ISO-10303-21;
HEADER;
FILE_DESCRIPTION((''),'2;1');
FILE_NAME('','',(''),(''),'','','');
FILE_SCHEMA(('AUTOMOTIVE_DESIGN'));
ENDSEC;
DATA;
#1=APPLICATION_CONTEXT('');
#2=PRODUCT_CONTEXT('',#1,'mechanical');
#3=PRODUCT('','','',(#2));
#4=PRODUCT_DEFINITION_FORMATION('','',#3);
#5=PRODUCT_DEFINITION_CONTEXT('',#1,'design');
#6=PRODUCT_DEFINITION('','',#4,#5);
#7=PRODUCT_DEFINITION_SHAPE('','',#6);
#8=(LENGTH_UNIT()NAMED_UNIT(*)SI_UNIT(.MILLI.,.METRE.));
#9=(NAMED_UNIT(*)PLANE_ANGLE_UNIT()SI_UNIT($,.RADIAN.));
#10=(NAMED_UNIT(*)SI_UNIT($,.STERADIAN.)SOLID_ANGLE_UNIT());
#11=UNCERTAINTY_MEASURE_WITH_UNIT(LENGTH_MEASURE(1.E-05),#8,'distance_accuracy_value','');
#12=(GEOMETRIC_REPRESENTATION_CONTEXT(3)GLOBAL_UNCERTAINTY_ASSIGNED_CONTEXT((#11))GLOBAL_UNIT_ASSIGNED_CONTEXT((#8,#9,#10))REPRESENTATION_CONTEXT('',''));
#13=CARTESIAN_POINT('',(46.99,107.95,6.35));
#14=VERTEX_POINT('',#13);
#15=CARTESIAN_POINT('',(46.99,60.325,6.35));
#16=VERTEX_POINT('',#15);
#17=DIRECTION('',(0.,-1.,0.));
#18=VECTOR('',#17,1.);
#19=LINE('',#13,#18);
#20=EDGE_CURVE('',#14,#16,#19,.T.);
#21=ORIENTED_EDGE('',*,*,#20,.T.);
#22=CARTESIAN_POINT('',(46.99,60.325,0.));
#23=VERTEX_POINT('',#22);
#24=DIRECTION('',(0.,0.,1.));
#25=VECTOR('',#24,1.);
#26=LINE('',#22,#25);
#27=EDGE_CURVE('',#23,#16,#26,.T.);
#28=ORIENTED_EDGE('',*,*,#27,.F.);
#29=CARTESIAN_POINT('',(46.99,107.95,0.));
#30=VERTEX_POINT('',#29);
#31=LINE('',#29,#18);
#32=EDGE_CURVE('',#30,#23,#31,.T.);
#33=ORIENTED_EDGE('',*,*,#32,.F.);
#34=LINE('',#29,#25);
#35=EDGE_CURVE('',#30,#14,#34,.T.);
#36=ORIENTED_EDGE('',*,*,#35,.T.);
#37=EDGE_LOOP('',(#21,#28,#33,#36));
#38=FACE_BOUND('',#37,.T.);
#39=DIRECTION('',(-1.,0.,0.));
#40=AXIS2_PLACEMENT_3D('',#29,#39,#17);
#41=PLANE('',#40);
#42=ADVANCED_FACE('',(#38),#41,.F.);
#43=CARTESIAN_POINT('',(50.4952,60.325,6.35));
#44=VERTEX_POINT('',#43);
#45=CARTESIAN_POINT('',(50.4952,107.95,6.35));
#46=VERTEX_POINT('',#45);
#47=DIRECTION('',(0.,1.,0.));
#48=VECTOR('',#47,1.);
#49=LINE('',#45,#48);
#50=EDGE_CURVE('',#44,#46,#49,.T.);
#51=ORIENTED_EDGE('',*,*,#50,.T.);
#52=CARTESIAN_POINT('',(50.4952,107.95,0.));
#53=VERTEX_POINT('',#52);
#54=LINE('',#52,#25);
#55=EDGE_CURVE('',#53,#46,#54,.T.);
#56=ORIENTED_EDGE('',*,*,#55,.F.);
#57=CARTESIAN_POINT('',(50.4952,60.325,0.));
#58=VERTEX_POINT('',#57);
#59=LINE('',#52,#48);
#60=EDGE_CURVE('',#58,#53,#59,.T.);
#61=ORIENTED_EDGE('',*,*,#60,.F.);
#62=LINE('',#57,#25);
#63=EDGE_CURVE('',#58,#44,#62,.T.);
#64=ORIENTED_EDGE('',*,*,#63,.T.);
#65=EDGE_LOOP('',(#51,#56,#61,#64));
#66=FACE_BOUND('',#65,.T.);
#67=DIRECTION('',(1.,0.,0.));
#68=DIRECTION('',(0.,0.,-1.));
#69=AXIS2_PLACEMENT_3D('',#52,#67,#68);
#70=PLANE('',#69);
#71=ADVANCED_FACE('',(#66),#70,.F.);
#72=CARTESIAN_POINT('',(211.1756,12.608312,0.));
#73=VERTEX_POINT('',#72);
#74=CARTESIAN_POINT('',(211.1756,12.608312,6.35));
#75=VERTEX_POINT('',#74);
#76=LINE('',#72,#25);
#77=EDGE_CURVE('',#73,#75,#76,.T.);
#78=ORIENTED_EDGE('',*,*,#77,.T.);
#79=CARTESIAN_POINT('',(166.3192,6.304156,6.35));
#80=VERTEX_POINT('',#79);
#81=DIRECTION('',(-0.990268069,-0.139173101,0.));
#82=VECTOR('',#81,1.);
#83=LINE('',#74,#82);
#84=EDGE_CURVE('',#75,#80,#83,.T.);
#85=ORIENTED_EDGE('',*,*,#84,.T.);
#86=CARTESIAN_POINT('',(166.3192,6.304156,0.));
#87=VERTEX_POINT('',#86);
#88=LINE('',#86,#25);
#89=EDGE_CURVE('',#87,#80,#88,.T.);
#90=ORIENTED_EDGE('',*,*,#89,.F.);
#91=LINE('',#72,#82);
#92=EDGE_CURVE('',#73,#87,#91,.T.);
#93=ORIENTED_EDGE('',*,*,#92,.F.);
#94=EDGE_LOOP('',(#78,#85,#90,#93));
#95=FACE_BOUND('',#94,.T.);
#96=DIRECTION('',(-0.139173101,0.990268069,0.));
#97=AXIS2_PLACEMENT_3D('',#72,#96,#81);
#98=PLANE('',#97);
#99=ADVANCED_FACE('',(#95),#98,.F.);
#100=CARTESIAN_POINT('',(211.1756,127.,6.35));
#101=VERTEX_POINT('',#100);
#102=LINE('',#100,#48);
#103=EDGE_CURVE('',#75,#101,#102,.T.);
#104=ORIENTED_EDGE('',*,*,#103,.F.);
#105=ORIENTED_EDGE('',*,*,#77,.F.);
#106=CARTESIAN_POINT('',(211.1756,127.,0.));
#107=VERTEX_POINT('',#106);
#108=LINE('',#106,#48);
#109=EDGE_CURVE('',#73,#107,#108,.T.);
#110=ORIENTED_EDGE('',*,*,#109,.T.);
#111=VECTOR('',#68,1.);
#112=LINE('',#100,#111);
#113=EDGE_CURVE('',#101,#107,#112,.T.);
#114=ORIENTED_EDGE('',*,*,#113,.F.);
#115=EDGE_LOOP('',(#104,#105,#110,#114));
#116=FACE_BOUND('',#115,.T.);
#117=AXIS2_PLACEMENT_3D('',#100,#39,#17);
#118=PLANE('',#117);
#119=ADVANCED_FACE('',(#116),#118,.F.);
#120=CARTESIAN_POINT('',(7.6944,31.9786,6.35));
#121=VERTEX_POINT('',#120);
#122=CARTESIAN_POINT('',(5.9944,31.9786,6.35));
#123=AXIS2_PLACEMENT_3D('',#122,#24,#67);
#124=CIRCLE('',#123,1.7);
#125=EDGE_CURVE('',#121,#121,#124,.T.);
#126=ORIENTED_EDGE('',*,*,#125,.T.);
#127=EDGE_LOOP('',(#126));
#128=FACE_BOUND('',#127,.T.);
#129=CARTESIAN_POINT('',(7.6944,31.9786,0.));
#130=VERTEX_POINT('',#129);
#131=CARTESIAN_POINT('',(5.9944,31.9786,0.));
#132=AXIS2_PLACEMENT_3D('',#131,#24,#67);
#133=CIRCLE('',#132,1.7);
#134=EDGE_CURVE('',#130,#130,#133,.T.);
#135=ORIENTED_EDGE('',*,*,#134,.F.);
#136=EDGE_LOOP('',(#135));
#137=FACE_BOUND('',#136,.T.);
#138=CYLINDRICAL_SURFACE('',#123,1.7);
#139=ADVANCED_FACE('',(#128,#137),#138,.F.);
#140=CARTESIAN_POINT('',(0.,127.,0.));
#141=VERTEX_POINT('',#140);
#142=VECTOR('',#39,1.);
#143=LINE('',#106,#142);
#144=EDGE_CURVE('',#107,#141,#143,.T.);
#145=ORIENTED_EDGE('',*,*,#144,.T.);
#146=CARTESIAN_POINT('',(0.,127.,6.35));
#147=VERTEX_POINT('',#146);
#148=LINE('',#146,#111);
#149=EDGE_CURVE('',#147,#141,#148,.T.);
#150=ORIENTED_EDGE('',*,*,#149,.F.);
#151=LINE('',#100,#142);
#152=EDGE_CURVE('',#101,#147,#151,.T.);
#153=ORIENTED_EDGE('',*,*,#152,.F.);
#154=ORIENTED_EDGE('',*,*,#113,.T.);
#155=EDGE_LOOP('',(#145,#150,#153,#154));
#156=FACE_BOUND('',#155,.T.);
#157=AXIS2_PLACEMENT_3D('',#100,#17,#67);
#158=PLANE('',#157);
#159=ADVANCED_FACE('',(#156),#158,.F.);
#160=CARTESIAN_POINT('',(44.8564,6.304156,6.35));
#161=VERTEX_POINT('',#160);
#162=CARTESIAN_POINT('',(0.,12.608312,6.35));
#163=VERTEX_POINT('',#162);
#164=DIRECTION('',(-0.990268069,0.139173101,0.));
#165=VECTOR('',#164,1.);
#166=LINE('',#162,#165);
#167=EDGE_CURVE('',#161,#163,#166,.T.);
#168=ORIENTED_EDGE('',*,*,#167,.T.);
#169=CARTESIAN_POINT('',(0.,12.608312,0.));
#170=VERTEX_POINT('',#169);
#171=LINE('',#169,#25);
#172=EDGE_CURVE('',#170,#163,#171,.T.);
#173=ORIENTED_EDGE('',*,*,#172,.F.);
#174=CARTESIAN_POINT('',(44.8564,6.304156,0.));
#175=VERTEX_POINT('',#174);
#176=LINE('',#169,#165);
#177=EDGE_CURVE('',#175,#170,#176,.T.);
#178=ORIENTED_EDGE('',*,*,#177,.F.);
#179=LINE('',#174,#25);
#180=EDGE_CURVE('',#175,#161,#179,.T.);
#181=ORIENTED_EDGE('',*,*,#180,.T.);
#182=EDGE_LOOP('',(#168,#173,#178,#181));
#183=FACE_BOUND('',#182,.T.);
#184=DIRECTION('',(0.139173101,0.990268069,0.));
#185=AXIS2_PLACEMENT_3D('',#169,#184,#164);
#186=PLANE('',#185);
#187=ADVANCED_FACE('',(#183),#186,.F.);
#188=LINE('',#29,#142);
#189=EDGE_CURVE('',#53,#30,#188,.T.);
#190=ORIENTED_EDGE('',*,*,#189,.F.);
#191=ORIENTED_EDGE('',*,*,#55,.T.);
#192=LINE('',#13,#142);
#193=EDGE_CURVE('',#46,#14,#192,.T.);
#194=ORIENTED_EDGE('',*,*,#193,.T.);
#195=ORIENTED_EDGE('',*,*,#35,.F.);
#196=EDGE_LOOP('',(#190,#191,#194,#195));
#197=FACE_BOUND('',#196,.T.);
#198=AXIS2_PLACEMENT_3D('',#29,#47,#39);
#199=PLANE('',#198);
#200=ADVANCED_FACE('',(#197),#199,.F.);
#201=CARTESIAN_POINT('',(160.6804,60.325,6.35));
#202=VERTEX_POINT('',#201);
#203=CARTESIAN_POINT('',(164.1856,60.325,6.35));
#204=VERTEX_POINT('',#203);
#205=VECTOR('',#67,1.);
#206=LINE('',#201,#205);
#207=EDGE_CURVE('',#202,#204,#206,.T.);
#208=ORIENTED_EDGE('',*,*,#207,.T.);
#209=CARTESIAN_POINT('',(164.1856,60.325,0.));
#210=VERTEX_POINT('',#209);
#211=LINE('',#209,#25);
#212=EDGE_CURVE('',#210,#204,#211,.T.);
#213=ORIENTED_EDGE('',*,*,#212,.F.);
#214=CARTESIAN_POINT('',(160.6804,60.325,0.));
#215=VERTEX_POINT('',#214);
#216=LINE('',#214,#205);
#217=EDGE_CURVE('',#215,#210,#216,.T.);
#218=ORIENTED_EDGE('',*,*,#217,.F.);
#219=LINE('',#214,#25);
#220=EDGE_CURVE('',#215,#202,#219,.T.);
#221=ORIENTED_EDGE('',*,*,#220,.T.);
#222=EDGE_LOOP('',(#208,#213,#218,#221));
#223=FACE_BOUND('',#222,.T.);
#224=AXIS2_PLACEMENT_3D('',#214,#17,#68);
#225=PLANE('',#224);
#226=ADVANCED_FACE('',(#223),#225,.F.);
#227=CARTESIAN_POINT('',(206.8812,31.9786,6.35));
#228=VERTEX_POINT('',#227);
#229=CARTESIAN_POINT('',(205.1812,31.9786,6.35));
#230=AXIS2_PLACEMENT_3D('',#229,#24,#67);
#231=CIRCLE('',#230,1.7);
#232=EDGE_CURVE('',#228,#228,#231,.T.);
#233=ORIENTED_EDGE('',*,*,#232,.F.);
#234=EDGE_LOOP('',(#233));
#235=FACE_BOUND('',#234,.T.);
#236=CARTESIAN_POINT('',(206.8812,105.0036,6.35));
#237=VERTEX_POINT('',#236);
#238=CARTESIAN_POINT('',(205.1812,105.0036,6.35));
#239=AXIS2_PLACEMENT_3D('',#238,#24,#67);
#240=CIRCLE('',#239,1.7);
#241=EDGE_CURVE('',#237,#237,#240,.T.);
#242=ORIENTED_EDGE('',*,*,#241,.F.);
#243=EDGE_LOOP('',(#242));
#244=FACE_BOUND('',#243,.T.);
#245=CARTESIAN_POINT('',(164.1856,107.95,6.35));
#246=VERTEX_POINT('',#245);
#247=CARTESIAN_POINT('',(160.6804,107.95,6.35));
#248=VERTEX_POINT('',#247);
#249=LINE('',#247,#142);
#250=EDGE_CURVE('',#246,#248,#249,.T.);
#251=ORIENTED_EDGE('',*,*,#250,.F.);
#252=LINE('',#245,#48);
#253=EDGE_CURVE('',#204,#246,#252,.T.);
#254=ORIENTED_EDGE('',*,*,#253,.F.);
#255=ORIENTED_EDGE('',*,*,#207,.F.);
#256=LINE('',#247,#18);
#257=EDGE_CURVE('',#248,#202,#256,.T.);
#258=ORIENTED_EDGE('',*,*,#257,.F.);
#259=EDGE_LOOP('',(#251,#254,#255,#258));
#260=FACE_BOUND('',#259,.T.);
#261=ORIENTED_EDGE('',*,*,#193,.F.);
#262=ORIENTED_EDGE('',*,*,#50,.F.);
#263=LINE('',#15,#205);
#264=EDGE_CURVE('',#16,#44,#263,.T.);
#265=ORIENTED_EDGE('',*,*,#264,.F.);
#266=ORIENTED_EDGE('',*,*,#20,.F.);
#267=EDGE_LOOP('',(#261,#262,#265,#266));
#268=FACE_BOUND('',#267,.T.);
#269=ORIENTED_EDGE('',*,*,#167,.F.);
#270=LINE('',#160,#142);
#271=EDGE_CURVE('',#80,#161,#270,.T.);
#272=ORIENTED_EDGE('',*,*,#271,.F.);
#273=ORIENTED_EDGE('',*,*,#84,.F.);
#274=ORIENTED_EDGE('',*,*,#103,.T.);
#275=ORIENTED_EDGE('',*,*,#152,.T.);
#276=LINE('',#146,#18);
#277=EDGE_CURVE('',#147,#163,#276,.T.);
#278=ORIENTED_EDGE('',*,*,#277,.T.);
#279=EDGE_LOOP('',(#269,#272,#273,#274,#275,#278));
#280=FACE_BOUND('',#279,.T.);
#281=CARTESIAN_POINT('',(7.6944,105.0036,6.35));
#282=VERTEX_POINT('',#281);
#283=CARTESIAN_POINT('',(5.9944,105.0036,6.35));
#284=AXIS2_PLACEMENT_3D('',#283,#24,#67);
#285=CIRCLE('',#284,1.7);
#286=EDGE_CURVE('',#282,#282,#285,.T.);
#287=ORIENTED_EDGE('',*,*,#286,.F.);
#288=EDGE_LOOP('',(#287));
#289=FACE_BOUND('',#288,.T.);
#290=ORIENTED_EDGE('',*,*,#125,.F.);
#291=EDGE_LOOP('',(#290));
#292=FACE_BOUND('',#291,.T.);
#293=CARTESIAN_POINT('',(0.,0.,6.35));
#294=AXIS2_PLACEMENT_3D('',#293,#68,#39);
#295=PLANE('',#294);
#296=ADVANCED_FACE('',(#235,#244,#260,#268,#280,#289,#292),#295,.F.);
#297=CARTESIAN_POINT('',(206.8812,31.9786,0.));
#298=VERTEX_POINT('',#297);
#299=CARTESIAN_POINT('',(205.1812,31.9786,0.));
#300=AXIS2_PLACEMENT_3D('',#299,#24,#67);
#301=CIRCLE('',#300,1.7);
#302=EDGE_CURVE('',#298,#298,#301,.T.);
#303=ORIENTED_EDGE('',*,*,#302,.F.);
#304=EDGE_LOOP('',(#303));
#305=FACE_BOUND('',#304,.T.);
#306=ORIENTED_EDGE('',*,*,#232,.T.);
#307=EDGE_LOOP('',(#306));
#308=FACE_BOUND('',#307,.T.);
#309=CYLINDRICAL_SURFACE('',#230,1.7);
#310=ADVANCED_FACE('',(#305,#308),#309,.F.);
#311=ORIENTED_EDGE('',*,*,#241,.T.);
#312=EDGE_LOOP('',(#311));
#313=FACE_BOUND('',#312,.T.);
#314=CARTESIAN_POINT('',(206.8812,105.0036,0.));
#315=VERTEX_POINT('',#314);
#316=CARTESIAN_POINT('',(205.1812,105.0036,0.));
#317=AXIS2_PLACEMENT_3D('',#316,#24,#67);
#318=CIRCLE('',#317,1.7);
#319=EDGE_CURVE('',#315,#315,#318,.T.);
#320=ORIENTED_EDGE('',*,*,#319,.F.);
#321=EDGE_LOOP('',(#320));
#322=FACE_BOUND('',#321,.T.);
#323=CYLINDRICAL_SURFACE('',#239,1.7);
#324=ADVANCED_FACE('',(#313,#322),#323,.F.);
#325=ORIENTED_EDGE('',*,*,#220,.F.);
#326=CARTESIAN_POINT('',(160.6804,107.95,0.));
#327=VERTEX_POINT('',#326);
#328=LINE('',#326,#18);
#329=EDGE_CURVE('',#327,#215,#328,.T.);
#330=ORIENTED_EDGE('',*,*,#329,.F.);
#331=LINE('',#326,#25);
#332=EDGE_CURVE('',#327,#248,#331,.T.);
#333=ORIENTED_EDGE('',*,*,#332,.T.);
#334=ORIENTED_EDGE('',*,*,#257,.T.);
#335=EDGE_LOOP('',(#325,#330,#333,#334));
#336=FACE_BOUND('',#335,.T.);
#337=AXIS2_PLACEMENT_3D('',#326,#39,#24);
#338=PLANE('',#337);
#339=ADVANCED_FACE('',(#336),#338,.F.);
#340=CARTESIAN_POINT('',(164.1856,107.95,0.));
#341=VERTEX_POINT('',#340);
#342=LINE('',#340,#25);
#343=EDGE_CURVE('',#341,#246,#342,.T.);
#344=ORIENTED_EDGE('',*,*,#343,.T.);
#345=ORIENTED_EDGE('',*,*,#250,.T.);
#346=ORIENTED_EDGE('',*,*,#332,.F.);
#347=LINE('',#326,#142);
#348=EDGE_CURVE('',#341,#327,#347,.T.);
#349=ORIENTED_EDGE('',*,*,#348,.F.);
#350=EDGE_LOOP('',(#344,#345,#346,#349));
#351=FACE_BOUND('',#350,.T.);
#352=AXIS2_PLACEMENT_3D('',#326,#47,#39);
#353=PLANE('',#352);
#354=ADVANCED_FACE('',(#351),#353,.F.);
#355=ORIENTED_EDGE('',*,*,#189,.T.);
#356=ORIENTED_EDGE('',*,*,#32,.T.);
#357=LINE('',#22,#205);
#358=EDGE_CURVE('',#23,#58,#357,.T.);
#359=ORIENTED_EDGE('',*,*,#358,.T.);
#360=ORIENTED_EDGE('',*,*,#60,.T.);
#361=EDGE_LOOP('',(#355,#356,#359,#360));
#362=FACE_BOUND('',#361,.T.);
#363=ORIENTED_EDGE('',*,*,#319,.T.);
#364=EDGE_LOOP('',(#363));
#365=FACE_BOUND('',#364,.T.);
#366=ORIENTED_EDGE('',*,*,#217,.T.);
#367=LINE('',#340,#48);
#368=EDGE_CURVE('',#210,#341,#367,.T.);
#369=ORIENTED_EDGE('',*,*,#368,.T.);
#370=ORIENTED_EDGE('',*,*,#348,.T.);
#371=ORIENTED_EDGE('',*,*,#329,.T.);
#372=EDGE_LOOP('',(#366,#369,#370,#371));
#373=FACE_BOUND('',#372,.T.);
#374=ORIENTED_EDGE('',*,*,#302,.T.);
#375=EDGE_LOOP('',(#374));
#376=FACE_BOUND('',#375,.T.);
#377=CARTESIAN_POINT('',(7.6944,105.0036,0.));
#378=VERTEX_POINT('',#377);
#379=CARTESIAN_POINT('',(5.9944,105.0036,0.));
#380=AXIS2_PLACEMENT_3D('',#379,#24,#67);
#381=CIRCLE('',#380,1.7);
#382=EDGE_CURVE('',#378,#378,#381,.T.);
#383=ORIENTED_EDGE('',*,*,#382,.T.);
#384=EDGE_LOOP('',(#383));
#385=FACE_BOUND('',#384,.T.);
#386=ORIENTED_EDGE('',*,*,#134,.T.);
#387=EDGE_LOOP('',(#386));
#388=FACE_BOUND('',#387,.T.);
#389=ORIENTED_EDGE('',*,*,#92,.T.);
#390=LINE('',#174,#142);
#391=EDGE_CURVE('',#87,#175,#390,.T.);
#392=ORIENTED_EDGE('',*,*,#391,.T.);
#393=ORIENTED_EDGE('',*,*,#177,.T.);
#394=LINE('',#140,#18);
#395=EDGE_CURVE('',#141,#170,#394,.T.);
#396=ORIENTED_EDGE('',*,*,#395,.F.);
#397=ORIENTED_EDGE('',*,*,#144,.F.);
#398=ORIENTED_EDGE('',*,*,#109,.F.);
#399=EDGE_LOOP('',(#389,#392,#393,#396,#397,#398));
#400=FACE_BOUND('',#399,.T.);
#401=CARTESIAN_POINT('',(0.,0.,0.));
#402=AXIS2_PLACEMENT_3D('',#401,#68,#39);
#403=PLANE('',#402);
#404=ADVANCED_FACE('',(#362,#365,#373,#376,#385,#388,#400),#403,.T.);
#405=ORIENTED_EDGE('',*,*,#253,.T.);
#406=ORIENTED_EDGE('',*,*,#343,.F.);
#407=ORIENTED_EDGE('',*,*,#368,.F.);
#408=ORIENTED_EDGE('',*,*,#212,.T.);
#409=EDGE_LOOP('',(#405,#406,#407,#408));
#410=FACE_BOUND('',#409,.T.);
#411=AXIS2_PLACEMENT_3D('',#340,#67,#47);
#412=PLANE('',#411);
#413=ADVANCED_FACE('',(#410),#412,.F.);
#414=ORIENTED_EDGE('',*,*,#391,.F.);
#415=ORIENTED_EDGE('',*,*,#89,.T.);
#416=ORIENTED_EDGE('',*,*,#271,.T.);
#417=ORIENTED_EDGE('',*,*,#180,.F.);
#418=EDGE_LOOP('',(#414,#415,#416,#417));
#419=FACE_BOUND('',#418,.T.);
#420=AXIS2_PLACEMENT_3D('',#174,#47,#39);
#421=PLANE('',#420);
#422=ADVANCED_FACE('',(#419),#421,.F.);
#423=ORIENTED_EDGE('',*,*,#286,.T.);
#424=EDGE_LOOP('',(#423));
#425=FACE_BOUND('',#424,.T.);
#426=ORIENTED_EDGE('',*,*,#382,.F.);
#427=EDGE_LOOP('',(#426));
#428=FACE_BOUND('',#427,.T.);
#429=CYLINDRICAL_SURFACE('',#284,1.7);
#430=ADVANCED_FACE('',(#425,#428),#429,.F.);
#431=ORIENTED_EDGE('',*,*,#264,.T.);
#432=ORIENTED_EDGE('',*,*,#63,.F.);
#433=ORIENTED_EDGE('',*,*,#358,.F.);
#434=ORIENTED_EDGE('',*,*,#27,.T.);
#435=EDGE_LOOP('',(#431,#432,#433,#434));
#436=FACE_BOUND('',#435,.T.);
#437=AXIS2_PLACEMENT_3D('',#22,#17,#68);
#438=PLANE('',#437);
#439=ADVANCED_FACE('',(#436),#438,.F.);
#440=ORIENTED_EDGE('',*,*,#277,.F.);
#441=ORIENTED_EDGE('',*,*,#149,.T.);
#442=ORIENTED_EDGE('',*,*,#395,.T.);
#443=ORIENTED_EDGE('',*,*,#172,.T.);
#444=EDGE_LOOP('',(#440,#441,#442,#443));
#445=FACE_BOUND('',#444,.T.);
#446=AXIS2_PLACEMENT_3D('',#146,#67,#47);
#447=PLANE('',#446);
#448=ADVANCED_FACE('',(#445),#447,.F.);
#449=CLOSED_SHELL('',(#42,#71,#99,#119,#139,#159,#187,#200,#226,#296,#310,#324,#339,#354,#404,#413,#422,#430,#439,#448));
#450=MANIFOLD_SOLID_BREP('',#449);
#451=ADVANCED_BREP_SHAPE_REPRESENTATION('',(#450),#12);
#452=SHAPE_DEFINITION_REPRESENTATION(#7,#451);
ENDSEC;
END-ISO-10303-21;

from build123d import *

# Parameters (mm, degrees)
SKETCH1_W            = 211.1756
SKETCH1_H            = 127
BOSS_EXTRUDE1_DEPTH  = 6.35
M3_CLEARANCE_HOLE1_D = 3.4
SKETCH4_W            = 3.5052
SKETCH4_H            = 47.625
CUT_EXTRUDE1_DEPTH   = 247.50447569
CUT_EXTRUDE2_DEPTH   = 247.50447569
SKETCH6_W            = 121.4628
SKETCH6_H            = 6.35
CUT_EXTRUDE3_DEPTH   = 247.50447569


with BuildPart() as part:
    # Sketch1 → Boss-Extrude1 (new body)
    with BuildSketch(Plane.XY):
        with Locations((105.5878, 63.5)):
            Rectangle(SKETCH1_W, SKETCH1_H)
    extrude(amount=BOSS_EXTRUDE1_DEPTH)

    # M3 Clearance Hole1 (through all)
    with Locations(Plane.XY.offset(6.35)):
        with Locations((5.9944, 105.0036), (5.9944, 31.9786), (205.1812, 31.9786), (205.1812, 105.0036)):
            Hole(M3_CLEARANCE_HOLE1_D / 2)

    # Sketch4 → Cut-Extrude1 (cut, through all)
    with BuildSketch(Plane.XY.offset(6.35)):
        with Locations((48.7426, 84.1375)):
            Rectangle(SKETCH4_W, SKETCH4_H)
        with Locations((162.433, 84.1375)):
            Rectangle(SKETCH4_W, SKETCH4_H)
    extrude(amount=-CUT_EXTRUDE1_DEPTH, mode=Mode.SUBTRACT)

    # Sketch5 → Cut-Extrude2 (cut, through all)
    with BuildSketch(Plane.XY.offset(6.35)):
        Polygon((0, 12.608311795), (89.7128, 0), (0, 0), align=None)
        Polygon((121.4628, 0), (211.1756, 0), (211.1756, 12.608311795), align=None)
    extrude(amount=-CUT_EXTRUDE2_DEPTH, mode=Mode.SUBTRACT)

    # Sketch6 → Cut-Extrude3 (cut, through all)
    with BuildSketch(Plane.XY.offset(6.35)):
        with Locations((105.5878, 3.129155898)):
            Rectangle(SKETCH6_W, SKETCH6_H)
    extrude(amount=-CUT_EXTRUDE3_DEPTH, mode=Mode.SUBTRACT)


solid = part.part
